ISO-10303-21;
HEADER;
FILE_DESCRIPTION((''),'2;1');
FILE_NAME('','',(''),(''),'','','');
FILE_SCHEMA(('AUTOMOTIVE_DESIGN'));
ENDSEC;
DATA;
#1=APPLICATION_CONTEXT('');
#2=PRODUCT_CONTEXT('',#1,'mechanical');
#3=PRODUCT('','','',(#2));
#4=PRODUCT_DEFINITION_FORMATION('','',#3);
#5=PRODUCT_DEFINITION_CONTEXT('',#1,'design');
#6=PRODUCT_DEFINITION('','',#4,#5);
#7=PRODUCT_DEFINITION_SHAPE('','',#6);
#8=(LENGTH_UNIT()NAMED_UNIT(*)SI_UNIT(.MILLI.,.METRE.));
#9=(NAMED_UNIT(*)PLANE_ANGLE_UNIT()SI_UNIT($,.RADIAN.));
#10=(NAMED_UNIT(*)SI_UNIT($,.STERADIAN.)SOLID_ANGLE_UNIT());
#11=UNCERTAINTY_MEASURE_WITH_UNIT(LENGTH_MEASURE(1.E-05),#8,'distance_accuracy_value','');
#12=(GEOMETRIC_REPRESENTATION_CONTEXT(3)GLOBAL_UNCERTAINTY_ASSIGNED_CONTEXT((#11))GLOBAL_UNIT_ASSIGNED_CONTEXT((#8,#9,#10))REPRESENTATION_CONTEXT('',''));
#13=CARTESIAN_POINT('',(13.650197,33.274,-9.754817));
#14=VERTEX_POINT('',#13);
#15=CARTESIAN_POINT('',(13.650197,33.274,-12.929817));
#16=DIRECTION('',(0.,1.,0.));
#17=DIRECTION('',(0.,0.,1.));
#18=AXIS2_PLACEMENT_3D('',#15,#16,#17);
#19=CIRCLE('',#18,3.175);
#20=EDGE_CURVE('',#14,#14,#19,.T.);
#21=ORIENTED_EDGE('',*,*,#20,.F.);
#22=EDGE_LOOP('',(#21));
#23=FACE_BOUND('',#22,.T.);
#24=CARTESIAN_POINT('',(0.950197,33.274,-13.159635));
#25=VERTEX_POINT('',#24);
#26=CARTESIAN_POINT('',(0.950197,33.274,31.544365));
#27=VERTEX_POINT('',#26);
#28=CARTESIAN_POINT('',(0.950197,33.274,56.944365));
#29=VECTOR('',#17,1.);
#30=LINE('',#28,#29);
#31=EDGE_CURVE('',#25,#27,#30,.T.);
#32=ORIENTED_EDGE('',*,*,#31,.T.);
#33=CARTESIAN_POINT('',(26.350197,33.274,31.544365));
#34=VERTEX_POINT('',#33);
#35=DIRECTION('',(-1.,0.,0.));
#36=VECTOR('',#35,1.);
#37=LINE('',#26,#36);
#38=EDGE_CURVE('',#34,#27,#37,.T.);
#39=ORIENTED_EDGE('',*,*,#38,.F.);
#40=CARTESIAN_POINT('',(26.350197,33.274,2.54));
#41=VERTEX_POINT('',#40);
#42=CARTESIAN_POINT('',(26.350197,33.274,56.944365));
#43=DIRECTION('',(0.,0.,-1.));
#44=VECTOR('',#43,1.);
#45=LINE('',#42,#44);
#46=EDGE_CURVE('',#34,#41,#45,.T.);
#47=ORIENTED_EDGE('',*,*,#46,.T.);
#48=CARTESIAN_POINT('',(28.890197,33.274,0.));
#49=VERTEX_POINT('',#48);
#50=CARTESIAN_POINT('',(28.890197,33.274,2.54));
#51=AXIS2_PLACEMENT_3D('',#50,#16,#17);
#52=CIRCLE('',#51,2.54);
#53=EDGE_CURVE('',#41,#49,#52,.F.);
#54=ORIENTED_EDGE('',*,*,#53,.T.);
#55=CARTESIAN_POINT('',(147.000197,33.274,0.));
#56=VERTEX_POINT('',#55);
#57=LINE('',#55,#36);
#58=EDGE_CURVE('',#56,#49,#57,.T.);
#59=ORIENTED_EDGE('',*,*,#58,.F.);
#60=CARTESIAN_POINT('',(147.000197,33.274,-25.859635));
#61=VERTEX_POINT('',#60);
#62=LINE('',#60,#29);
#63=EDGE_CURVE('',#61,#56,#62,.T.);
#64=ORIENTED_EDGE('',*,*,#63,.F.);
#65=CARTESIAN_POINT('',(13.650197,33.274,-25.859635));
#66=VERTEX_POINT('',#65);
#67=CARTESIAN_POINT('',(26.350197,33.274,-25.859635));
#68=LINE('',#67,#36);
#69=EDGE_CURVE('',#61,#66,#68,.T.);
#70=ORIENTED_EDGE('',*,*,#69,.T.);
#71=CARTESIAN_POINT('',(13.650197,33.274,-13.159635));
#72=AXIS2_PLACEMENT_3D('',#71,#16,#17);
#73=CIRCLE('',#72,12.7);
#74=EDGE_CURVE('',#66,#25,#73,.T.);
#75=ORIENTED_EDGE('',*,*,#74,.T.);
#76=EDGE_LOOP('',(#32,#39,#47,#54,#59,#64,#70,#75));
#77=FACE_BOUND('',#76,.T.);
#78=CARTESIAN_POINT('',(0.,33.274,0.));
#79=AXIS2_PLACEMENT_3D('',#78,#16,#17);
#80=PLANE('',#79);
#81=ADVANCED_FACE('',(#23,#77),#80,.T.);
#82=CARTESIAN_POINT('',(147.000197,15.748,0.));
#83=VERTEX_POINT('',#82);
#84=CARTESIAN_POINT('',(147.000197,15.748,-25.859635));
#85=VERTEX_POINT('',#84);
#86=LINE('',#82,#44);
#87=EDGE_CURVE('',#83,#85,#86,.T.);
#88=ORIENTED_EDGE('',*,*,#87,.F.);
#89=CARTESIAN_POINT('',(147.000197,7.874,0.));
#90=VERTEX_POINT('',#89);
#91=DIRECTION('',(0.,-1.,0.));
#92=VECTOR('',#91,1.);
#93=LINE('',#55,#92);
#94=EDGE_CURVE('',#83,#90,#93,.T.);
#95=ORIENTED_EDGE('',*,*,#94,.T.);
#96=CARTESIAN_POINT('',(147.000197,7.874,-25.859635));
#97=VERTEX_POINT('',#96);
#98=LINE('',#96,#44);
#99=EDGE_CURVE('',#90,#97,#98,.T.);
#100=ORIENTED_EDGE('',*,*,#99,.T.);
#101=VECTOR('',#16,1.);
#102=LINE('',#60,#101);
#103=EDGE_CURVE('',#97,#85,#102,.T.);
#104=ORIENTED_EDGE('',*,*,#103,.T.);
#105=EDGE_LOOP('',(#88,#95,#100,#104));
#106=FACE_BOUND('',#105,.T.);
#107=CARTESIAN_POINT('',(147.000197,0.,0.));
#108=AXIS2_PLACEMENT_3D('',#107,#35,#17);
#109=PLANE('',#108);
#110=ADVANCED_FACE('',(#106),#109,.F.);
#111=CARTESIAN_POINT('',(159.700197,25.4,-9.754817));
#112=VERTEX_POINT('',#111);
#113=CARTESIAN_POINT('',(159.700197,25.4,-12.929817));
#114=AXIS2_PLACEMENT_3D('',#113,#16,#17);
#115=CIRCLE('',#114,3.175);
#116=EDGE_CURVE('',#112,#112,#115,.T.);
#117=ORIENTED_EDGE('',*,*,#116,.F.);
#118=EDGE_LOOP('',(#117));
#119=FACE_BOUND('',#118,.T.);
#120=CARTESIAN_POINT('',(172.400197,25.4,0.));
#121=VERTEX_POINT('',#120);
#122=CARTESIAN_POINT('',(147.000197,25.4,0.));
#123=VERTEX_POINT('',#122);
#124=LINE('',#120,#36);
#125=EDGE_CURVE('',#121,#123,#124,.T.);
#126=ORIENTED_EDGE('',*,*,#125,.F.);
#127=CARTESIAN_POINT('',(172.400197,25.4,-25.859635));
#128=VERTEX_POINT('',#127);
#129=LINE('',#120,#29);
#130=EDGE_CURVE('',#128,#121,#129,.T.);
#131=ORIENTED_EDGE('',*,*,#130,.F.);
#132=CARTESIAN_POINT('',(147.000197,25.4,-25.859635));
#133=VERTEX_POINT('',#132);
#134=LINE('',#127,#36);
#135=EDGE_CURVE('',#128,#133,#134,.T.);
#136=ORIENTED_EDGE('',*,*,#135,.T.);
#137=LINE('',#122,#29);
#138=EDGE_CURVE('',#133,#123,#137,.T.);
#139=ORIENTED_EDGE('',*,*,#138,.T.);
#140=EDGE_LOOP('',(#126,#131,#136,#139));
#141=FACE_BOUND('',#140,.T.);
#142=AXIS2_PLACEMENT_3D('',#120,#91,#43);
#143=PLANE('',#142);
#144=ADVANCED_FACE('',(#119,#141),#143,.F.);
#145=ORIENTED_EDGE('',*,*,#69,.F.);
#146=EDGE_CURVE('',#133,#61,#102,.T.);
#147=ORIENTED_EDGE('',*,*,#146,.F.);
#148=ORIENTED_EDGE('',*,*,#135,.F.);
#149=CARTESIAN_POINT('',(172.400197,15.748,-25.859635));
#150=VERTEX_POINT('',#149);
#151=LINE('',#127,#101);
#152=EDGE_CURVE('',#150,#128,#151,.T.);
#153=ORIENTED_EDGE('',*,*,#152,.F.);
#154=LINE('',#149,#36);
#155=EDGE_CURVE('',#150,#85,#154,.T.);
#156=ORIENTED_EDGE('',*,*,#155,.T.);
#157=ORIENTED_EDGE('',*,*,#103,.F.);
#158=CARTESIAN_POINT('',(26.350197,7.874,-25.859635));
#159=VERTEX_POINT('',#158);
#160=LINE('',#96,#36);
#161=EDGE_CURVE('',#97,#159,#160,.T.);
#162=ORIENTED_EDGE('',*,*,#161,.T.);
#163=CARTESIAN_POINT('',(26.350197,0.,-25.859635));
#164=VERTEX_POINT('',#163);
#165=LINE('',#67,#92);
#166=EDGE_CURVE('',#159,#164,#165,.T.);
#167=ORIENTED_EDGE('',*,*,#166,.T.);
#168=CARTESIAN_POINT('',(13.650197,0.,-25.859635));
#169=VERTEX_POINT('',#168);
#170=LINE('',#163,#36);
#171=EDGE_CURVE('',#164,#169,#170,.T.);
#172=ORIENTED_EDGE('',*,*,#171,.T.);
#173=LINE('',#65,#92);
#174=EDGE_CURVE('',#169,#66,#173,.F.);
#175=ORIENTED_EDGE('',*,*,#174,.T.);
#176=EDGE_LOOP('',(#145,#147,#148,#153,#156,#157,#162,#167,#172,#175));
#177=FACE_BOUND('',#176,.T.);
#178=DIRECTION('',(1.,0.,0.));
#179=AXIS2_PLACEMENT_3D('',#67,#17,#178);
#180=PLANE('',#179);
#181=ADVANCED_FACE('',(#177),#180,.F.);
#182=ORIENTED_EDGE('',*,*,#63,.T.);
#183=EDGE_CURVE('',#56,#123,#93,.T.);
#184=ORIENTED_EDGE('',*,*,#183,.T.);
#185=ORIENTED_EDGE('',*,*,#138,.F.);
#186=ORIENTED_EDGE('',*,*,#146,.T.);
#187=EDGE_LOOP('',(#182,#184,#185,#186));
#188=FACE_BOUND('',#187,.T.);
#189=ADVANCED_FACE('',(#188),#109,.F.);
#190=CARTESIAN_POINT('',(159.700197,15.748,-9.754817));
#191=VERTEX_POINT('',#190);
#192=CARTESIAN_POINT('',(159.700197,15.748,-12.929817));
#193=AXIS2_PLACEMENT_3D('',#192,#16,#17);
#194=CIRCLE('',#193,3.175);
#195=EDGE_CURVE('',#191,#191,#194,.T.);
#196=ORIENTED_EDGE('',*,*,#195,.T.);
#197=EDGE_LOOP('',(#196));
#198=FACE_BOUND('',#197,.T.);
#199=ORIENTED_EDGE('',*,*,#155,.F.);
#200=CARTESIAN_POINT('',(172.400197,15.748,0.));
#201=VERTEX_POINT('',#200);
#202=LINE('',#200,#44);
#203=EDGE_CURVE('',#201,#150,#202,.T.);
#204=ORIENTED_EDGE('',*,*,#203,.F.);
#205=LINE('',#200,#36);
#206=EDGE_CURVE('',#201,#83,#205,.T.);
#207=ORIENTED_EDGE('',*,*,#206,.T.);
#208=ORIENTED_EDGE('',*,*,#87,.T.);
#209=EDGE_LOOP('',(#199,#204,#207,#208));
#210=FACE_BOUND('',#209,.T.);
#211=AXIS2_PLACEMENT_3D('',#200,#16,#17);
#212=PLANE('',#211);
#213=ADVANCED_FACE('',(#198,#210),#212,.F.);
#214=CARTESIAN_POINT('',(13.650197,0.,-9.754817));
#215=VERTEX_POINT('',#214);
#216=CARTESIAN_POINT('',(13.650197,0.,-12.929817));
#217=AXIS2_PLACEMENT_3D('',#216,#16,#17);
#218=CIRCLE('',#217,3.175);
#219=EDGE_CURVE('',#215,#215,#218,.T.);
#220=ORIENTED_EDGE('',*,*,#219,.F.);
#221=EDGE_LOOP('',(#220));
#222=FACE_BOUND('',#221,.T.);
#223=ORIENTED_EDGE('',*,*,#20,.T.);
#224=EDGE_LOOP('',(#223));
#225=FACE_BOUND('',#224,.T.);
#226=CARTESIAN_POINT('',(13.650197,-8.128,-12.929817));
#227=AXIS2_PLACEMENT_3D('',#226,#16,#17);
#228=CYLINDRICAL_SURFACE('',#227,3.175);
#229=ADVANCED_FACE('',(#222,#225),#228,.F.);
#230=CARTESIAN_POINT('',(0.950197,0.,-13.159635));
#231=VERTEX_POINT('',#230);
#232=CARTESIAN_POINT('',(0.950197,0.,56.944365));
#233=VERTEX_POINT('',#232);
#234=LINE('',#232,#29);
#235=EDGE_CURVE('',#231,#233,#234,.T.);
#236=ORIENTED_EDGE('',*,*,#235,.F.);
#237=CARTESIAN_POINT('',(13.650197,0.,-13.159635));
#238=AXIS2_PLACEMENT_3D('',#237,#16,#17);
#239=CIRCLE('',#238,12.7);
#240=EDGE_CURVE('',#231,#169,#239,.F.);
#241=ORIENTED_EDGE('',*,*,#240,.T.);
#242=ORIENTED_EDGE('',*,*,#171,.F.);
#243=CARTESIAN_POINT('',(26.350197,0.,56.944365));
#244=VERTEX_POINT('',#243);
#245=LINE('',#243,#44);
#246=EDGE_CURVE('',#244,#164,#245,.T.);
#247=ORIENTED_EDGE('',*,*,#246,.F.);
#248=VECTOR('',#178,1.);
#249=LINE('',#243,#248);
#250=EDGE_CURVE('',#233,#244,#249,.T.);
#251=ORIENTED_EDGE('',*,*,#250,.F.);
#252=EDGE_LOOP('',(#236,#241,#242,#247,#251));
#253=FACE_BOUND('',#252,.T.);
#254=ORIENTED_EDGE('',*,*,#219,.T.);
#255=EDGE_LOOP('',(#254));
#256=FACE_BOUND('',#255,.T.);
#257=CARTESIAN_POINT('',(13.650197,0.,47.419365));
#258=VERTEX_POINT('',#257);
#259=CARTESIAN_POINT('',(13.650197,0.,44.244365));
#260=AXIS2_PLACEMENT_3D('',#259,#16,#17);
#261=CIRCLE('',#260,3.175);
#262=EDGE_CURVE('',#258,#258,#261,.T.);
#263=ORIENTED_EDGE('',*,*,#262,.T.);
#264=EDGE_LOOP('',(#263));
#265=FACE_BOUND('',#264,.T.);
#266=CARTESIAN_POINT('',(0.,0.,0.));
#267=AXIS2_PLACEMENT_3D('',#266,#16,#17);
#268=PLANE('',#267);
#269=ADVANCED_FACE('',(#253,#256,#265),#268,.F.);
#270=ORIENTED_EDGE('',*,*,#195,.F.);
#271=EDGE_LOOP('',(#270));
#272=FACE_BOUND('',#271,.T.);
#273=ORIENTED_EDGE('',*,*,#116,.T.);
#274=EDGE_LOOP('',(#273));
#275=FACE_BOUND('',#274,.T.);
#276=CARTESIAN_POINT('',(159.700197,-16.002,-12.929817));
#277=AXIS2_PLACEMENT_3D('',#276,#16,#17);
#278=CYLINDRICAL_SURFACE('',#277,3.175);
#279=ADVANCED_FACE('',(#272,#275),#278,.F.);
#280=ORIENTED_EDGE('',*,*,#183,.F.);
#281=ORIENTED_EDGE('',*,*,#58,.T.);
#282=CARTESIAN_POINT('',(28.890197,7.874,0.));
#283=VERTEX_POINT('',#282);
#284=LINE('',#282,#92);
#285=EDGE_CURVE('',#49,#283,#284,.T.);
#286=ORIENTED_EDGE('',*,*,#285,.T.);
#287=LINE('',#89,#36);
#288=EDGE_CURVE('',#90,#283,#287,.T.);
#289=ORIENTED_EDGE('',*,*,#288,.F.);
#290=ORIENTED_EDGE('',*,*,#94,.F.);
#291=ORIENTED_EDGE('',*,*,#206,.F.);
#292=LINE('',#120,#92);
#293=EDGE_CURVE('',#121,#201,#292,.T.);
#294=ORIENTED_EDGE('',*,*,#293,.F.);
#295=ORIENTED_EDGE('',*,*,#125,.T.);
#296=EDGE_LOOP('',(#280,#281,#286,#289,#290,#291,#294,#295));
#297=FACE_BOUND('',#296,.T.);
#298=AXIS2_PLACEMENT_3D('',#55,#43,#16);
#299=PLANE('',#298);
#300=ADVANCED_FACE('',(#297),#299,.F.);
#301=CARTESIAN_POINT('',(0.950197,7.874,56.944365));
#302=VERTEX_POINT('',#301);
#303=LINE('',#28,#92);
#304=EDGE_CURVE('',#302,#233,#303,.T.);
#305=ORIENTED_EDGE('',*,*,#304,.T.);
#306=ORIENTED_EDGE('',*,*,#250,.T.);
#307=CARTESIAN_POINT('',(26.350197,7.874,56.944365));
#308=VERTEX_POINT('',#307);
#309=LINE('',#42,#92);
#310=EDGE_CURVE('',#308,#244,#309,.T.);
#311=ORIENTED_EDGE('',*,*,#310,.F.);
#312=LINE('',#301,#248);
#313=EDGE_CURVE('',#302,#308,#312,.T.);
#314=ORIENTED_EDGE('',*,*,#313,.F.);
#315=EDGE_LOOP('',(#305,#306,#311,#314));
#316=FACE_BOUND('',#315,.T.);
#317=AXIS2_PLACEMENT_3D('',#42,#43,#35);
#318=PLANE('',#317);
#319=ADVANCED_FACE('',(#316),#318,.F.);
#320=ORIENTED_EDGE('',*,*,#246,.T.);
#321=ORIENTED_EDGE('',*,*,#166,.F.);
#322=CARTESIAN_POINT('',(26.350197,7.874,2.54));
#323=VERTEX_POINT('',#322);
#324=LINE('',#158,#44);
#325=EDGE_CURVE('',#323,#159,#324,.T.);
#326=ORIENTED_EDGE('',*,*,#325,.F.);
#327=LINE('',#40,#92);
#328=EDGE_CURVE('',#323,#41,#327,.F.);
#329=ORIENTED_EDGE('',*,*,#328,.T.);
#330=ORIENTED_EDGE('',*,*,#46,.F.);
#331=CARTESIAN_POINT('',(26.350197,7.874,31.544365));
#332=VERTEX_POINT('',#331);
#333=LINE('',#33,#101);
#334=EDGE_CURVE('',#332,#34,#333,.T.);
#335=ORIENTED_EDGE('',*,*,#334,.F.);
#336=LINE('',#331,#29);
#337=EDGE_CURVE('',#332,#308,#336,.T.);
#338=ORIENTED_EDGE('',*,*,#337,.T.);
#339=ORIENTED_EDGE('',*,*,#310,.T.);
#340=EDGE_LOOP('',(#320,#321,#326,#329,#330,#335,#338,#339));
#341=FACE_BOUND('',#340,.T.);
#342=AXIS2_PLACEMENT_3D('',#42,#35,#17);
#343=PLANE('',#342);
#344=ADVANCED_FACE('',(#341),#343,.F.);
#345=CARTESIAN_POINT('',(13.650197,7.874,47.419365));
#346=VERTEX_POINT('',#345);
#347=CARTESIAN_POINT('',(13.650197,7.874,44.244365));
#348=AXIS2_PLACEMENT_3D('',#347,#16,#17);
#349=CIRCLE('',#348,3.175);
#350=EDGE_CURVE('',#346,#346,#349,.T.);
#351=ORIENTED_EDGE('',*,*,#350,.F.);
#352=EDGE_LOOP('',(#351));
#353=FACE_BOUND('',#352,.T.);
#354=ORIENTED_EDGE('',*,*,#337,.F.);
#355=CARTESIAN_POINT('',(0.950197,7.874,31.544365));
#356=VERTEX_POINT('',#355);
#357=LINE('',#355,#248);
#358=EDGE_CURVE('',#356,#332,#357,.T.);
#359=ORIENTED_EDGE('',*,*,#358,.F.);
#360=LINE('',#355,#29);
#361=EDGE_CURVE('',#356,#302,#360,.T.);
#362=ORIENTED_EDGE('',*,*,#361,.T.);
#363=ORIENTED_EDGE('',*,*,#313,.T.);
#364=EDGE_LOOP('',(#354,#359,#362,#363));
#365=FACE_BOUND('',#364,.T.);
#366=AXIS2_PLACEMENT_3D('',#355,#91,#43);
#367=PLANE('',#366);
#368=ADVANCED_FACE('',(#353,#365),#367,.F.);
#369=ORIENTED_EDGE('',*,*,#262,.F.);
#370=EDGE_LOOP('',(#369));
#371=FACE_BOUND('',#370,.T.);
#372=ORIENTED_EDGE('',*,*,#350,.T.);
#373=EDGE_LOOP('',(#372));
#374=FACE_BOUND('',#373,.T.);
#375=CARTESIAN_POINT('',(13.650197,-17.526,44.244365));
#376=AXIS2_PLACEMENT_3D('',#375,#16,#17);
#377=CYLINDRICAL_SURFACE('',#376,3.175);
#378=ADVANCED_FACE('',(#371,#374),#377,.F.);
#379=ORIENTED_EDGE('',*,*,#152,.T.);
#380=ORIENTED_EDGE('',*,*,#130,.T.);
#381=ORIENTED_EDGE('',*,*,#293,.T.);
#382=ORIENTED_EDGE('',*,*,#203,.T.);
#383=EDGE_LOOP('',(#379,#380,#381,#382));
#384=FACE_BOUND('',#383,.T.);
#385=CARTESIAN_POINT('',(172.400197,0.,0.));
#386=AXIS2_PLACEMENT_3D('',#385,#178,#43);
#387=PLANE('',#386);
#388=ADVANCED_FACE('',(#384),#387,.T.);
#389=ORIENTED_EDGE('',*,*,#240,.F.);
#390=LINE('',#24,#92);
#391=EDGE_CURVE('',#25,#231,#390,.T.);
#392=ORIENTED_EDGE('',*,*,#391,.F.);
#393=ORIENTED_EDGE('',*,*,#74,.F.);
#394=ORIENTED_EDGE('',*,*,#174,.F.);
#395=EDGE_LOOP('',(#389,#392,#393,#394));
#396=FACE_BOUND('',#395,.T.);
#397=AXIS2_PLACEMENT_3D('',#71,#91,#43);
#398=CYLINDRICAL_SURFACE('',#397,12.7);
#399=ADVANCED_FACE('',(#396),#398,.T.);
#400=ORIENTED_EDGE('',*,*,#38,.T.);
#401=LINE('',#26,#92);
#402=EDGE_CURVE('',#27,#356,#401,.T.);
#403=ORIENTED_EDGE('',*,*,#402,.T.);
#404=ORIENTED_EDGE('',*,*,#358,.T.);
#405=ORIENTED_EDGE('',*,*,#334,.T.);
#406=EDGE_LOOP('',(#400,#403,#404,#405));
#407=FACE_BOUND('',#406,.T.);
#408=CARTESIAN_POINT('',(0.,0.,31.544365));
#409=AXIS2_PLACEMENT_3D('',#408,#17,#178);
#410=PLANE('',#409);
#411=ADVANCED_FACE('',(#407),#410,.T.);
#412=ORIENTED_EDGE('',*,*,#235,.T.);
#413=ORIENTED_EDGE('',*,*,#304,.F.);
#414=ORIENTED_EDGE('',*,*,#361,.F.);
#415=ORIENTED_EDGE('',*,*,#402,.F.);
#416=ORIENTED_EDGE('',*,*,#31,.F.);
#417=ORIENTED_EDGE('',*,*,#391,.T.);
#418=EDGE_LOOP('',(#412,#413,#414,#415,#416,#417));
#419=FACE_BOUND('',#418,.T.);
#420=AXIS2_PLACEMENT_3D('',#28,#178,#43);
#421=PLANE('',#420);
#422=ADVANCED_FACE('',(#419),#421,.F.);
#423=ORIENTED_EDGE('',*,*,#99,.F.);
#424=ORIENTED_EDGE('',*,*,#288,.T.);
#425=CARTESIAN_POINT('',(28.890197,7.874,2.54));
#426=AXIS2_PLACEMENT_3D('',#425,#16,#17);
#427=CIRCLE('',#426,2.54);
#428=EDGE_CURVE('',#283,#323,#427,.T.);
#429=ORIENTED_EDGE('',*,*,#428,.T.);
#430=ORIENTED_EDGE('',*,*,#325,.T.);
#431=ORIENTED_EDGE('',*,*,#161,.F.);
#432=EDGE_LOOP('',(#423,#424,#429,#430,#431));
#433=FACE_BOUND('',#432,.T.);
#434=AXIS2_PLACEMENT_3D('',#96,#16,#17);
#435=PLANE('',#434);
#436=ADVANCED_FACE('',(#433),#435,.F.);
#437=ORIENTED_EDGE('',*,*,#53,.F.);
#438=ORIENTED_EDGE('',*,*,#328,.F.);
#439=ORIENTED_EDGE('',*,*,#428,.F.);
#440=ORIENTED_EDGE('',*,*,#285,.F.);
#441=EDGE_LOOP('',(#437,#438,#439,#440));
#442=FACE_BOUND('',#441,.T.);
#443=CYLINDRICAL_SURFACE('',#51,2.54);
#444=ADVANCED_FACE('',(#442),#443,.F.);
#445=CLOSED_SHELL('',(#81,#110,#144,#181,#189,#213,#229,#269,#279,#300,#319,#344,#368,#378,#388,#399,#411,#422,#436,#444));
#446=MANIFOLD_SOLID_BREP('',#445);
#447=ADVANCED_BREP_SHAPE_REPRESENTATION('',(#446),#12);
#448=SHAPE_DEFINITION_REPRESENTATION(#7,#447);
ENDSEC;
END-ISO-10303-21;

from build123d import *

# Parameters (mm, degrees)
SKETCH1_W           = 25.4
SKETCH1_H           = 82.804
BOSS_EXTRUDE1_DEPTH = 33.274
SKETCH3_W           = 25.859634715
SKETCH3_H           = 25.4
BOSS_EXTRUDE2_DEPTH = 120.65
SKETCH4_W           = 25.4
SKETCH4_H           = 25.4
CUT_EXTRUDE2_DEPTH  = 25.4
SKETCH5_W           = 25.859634715
SKETCH5_H           = 9.652
BOSS_EXTRUDE3_DEPTH = 25.4
SKETCH7_R           = 3.175
CUT_EXTRUDE4_DEPTH  = 41.402
SKETCH8_R           = 3.175
CUT_EXTRUDE5_DEPTH  = 25.4
SKETCH6_R           = 3.175
CUT_EXTRUDE3_DEPTH  = 41.402
FILLET1_R           = 12.7
FILLET2_R           = 2.54


with BuildPart() as part:
    # Sketch1 → Boss-Extrude1 (new body)
    with BuildSketch(Plane(origin=(0, 0, 0), x_dir=(1, 0, 0), z_dir=(0, 1, 0))):
        with Locations((13.650196891, -15.542365285)):
            Rectangle(SKETCH1_W, SKETCH1_H)
    extrude(amount=BOSS_EXTRUDE1_DEPTH)

    # Sketch3 → Boss-Extrude2 (add)
    with BuildSketch(Plane(origin=(26.350196891, 0, 0), x_dir=(0, 0, -1), z_dir=(1, 0, 0))):
        with Locations((12.929817358, 20.574)):
            Rectangle(SKETCH3_W, SKETCH3_H)
    extrude(amount=BOSS_EXTRUDE2_DEPTH)

    # Sketch4 → Cut-Extrude2 (cut)
    with BuildSketch(Plane.XY.offset(56.944365285)):
        with Locations((13.650196891, 20.574)):
            Rectangle(SKETCH4_W, SKETCH4_H)
    extrude(amount=-CUT_EXTRUDE2_DEPTH, mode=Mode.SUBTRACT)

    # Sketch5 → Boss-Extrude3 (add)
    with BuildSketch(Plane(origin=(147.000196891, 0, 0), x_dir=(0, 0, -1), z_dir=(1, 0, 0))):
        with Locations((12.929817358, 20.574)):
            Rectangle(SKETCH5_W, SKETCH5_H)
    extrude(amount=BOSS_EXTRUDE3_DEPTH)

    # Sketch7 → Cut-Extrude4 (cut)
    with BuildSketch(Plane(origin=(0, 25.4, 0), x_dir=(1, 0, 0), z_dir=(0, 1, 0))):
        with Locations(Location((159.700196891, 12.929817358, 0), (0, 0, 270))):
            Circle(SKETCH7_R)
    extrude(amount=-CUT_EXTRUDE4_DEPTH, mode=Mode.SUBTRACT)

    # Sketch8 → Cut-Extrude5 (cut)
    with BuildSketch(Plane(origin=(0, 7.874, 0), x_dir=(1, 0, 0), z_dir=(0, 1, 0))):
        with Locations(Location((13.650196891, -44.244365285, 0), (0, 0, 270))):
            Circle(SKETCH8_R)
    extrude(amount=-CUT_EXTRUDE5_DEPTH, mode=Mode.SUBTRACT)

    # Sketch6 → Cut-Extrude3 (cut)
    with BuildSketch(Plane(origin=(0, 33.274, 0), x_dir=(1, 0, 0), z_dir=(0, 1, 0))):
        with Locations(Location((13.650196891, 12.929817358, 0), (0, 0, 270))):
            Circle(SKETCH6_R)
    extrude(amount=-CUT_EXTRUDE3_DEPTH, mode=Mode.SUBTRACT)

    # Fillet1
    fillet1_edges = [part.edges().sort_by_distance(p)[0] for p in [
        (0.950196891, 16.637, -25.859634715),
    ]]
    fillet(fillet1_edges, radius=FILLET1_R)

    # Fillet2
    fillet2_edges = [part.edges().sort_by_distance(p)[0] for p in [
        (26.350196891, 20.574, 0),
    ]]
    fillet(fillet2_edges, radius=FILLET2_R)


solid = part.part
